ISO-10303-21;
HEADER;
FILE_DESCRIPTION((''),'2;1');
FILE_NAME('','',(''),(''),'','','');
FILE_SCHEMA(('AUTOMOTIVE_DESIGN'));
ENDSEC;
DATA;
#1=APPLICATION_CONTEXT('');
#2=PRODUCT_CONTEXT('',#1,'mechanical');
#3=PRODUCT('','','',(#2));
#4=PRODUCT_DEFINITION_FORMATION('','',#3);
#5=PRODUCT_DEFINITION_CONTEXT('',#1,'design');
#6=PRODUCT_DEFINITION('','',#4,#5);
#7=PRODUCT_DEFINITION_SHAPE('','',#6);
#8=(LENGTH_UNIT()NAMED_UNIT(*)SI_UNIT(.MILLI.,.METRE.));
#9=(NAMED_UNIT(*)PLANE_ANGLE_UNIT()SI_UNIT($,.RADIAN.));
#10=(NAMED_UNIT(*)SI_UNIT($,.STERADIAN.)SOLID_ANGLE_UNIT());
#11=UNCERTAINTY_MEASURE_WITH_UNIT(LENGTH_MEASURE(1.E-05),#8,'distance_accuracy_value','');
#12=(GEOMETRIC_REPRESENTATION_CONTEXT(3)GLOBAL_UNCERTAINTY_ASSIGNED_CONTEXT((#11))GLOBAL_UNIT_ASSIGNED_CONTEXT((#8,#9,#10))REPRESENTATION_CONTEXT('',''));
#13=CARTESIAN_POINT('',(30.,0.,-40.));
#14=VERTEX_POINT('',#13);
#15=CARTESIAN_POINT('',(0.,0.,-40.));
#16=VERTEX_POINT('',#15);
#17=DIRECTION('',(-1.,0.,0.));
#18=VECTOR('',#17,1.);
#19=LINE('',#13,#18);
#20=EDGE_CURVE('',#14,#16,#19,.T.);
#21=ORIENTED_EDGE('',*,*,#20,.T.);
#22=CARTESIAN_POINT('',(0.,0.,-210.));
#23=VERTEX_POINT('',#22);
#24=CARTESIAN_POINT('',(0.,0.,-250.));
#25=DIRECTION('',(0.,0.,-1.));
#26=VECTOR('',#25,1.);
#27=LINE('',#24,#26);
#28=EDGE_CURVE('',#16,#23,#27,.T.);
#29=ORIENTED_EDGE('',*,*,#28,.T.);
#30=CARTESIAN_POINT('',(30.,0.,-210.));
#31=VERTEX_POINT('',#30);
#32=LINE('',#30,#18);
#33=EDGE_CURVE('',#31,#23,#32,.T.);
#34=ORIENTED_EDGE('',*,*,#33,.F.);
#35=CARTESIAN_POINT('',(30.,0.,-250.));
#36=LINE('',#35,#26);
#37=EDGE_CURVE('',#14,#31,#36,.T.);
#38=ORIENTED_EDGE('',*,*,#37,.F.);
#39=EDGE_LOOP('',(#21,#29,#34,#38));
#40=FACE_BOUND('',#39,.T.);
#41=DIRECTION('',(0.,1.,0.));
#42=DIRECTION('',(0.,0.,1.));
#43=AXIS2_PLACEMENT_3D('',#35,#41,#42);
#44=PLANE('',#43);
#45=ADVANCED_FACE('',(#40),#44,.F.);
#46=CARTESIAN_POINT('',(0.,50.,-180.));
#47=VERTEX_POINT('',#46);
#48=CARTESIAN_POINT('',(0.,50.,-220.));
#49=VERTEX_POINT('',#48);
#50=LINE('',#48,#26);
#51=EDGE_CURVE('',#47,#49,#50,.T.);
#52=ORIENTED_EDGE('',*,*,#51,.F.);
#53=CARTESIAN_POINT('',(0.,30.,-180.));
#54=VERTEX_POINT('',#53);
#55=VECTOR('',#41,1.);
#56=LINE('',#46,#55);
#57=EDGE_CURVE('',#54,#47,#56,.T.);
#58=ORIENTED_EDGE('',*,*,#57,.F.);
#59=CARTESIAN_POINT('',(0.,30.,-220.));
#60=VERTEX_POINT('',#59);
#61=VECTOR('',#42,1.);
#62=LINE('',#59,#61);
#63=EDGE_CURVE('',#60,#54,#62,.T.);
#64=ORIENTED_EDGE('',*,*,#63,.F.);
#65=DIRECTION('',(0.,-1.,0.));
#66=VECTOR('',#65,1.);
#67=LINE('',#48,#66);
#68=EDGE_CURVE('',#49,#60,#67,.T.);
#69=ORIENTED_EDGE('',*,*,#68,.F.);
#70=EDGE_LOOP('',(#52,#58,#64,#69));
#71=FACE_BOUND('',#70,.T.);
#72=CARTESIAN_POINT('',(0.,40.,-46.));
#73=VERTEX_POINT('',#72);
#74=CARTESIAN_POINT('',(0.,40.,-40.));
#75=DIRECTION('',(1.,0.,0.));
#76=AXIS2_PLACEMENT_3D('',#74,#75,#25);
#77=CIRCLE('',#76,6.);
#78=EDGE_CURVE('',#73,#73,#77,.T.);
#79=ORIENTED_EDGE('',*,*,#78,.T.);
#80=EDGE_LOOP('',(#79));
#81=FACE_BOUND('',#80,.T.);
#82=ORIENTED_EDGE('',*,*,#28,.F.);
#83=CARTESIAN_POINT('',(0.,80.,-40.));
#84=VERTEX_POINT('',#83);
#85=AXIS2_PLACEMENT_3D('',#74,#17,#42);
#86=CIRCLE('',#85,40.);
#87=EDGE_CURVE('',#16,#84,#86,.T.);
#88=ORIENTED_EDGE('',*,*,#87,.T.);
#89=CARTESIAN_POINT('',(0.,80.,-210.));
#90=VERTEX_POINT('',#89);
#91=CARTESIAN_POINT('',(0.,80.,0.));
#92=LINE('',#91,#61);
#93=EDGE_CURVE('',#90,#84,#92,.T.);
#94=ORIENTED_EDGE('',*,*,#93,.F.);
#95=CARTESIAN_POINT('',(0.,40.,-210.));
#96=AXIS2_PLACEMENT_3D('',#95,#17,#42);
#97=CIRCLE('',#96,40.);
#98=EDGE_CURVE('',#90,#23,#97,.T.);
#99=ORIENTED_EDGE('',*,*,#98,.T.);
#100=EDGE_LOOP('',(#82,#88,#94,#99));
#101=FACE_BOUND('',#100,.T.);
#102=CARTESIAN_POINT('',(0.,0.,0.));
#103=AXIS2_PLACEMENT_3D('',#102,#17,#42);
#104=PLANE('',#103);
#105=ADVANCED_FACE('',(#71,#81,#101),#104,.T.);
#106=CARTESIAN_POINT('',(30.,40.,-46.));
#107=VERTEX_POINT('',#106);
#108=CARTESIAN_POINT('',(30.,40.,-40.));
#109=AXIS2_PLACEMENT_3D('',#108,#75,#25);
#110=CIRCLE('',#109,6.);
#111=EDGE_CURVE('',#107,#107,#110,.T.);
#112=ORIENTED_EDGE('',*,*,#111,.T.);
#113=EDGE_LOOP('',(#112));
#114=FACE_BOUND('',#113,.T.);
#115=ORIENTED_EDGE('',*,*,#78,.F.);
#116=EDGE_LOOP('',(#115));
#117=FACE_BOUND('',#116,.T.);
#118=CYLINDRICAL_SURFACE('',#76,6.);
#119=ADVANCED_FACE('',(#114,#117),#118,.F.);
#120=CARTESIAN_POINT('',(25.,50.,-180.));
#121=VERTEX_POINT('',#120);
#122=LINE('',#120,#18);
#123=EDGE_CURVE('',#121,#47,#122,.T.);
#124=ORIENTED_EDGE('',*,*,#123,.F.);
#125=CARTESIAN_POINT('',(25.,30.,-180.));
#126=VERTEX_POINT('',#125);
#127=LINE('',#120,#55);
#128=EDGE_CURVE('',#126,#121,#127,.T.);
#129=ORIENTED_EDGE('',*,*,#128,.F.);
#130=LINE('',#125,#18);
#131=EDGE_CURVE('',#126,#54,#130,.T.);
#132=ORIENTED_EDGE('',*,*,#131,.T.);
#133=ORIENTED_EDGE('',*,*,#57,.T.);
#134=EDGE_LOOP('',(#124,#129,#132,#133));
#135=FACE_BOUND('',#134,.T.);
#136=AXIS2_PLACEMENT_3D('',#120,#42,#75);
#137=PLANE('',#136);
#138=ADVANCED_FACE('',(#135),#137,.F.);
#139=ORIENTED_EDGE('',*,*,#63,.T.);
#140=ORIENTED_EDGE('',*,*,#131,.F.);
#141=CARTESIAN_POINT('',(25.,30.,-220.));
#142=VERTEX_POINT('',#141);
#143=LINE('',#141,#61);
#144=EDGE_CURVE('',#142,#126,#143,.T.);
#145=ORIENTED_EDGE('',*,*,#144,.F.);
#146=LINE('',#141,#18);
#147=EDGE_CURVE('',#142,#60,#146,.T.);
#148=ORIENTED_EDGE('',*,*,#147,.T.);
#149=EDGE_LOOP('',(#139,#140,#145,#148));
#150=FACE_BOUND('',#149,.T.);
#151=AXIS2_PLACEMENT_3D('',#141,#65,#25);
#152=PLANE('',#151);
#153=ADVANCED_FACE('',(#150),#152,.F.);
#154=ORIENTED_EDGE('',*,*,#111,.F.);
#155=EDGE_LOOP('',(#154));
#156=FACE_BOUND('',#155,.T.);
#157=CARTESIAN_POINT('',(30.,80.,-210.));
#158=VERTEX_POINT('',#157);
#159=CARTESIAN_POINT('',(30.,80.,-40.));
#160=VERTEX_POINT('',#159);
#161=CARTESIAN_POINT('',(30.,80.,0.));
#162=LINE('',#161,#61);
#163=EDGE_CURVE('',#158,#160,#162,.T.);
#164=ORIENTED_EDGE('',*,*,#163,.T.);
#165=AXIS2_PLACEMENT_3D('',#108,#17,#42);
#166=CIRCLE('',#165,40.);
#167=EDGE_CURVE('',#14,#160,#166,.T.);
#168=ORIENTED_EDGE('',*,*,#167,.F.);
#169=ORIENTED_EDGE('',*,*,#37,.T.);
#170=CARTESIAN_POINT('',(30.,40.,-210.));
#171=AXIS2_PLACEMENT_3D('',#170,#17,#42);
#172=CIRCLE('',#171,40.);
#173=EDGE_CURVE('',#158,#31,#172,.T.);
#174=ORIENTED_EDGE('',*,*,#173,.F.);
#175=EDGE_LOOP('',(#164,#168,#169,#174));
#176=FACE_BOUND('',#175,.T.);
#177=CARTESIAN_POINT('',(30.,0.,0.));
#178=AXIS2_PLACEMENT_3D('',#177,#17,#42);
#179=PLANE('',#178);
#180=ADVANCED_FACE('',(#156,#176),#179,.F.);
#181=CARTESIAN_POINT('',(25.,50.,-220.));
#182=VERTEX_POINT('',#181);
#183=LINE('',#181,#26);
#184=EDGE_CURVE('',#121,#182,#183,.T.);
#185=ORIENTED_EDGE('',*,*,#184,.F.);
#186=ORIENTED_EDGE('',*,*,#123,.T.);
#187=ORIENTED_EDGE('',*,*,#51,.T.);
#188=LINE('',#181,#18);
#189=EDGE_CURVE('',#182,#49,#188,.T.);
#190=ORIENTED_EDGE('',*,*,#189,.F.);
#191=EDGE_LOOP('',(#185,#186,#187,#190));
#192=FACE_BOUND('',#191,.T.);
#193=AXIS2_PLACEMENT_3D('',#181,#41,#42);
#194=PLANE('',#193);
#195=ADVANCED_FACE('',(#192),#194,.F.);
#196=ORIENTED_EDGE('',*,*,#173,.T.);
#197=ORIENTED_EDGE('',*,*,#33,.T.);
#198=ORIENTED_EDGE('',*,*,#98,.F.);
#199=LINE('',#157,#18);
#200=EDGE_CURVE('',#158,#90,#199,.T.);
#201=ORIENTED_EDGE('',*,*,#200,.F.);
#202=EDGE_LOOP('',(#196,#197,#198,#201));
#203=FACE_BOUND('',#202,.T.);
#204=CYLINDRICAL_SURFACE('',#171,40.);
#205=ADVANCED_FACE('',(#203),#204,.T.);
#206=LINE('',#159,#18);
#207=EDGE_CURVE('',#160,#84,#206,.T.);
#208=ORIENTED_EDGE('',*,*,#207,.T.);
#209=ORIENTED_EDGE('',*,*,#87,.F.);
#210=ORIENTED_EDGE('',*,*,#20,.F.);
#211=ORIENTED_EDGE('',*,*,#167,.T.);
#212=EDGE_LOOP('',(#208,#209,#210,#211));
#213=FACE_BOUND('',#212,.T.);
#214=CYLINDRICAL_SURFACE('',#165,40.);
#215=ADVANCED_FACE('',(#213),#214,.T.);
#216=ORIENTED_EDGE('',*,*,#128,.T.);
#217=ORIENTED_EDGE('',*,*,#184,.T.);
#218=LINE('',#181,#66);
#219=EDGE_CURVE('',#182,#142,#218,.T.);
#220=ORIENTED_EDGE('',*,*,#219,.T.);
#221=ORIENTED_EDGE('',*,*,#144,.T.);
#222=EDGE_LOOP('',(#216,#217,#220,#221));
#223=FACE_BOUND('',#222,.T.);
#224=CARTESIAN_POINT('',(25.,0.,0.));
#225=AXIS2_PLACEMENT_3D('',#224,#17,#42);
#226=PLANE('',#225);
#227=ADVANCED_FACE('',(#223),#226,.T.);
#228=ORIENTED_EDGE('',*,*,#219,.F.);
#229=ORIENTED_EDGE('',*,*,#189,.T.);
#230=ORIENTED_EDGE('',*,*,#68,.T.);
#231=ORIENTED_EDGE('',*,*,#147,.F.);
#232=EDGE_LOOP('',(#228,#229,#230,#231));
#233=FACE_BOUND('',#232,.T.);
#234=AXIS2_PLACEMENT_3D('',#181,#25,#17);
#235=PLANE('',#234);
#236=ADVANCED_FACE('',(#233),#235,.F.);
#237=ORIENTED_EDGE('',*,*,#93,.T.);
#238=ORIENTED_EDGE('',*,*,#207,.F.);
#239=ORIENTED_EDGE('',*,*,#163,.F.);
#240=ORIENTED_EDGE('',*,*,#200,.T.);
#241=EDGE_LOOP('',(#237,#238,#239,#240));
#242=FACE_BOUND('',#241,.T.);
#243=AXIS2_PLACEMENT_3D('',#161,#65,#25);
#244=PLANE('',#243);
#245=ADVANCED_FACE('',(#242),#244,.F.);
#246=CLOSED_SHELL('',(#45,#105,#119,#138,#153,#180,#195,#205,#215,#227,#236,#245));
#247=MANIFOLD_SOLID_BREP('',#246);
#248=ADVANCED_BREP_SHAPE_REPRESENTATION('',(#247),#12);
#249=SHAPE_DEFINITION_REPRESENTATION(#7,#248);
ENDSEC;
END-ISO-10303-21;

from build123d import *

# Parameters (mm, degrees)
SKETCH2_W               = 250
SKETCH2_H               = 80
BOSS_EXTRUDE1_DEPTH     = 30
SKETCH11_R              = 6
CUT_EXTRUDE2_DEPTH      = 265.196896272
CUT_EXTRUDE_THIN2_DEPTH = 265.196896272
SKETCH15_W              = 40
SKETCH15_H              = 20
CUT_EXTRUDE3_DEPTH      = 25


with BuildPart() as part:
    # Sketch2 → Boss-Extrude1 (new body)
    with BuildSketch(Plane(origin=(0, 0, 0), x_dir=(0, 0, -1), z_dir=(1, 0, 0))):
        with Locations((125, 40)):
            Rectangle(SKETCH2_W, SKETCH2_H)
    extrude(amount=BOSS_EXTRUDE1_DEPTH)

    # Sketch11 → Cut-Extrude2 (cut, through all)
    with BuildSketch(Plane(origin=(30, 0, 0), x_dir=(0, 0, -1), z_dir=(1, 0, 0))):
        with Locations((40, 40)):
            Circle(SKETCH11_R)
    extrude(amount=-CUT_EXTRUDE2_DEPTH, mode=Mode.SUBTRACT)

    # Sketch14 → Cut-Extrude-Thin2 (cut, through all)
    with BuildSketch(Plane.ZY):
        with BuildLine():
            ThreePointArc((-40, 0), (0, 40), (-40, 80))
            Line((-40, 80), (-40, 90))
            ThreePointArc((-40, 90), (10, 40), (-40, -10))
            Line((-40, -10), (-40, 0))
        make_face()
        with BuildLine():
            ThreePointArc((-210, 80), (-250, 40), (-210, 0))
            Line((-210, 0), (-210, -10))
            ThreePointArc((-210, -10), (-260, 40), (-210, 90))
            Line((-210, 90), (-210, 80))
        make_face()
    extrude(amount=-CUT_EXTRUDE_THIN2_DEPTH, mode=Mode.SUBTRACT)


with BuildPart() as cut_extrude_thin2_kept_piece:
    # of the separate pieces the step leaves, the one the design keeps (cut_extrude_thin2_pieces_kept)
    add(part.part.solids().sort_by_distance((0, 0, -40))[0])

    # Sketch15 → Cut-Extrude3 (cut)
    with BuildSketch(Plane.ZY):
        with Locations((-200, 40)):
            Rectangle(SKETCH15_W, SKETCH15_H)
    extrude(amount=-CUT_EXTRUDE3_DEPTH, mode=Mode.SUBTRACT)


solid = cut_extrude_thin2_kept_piece.part
